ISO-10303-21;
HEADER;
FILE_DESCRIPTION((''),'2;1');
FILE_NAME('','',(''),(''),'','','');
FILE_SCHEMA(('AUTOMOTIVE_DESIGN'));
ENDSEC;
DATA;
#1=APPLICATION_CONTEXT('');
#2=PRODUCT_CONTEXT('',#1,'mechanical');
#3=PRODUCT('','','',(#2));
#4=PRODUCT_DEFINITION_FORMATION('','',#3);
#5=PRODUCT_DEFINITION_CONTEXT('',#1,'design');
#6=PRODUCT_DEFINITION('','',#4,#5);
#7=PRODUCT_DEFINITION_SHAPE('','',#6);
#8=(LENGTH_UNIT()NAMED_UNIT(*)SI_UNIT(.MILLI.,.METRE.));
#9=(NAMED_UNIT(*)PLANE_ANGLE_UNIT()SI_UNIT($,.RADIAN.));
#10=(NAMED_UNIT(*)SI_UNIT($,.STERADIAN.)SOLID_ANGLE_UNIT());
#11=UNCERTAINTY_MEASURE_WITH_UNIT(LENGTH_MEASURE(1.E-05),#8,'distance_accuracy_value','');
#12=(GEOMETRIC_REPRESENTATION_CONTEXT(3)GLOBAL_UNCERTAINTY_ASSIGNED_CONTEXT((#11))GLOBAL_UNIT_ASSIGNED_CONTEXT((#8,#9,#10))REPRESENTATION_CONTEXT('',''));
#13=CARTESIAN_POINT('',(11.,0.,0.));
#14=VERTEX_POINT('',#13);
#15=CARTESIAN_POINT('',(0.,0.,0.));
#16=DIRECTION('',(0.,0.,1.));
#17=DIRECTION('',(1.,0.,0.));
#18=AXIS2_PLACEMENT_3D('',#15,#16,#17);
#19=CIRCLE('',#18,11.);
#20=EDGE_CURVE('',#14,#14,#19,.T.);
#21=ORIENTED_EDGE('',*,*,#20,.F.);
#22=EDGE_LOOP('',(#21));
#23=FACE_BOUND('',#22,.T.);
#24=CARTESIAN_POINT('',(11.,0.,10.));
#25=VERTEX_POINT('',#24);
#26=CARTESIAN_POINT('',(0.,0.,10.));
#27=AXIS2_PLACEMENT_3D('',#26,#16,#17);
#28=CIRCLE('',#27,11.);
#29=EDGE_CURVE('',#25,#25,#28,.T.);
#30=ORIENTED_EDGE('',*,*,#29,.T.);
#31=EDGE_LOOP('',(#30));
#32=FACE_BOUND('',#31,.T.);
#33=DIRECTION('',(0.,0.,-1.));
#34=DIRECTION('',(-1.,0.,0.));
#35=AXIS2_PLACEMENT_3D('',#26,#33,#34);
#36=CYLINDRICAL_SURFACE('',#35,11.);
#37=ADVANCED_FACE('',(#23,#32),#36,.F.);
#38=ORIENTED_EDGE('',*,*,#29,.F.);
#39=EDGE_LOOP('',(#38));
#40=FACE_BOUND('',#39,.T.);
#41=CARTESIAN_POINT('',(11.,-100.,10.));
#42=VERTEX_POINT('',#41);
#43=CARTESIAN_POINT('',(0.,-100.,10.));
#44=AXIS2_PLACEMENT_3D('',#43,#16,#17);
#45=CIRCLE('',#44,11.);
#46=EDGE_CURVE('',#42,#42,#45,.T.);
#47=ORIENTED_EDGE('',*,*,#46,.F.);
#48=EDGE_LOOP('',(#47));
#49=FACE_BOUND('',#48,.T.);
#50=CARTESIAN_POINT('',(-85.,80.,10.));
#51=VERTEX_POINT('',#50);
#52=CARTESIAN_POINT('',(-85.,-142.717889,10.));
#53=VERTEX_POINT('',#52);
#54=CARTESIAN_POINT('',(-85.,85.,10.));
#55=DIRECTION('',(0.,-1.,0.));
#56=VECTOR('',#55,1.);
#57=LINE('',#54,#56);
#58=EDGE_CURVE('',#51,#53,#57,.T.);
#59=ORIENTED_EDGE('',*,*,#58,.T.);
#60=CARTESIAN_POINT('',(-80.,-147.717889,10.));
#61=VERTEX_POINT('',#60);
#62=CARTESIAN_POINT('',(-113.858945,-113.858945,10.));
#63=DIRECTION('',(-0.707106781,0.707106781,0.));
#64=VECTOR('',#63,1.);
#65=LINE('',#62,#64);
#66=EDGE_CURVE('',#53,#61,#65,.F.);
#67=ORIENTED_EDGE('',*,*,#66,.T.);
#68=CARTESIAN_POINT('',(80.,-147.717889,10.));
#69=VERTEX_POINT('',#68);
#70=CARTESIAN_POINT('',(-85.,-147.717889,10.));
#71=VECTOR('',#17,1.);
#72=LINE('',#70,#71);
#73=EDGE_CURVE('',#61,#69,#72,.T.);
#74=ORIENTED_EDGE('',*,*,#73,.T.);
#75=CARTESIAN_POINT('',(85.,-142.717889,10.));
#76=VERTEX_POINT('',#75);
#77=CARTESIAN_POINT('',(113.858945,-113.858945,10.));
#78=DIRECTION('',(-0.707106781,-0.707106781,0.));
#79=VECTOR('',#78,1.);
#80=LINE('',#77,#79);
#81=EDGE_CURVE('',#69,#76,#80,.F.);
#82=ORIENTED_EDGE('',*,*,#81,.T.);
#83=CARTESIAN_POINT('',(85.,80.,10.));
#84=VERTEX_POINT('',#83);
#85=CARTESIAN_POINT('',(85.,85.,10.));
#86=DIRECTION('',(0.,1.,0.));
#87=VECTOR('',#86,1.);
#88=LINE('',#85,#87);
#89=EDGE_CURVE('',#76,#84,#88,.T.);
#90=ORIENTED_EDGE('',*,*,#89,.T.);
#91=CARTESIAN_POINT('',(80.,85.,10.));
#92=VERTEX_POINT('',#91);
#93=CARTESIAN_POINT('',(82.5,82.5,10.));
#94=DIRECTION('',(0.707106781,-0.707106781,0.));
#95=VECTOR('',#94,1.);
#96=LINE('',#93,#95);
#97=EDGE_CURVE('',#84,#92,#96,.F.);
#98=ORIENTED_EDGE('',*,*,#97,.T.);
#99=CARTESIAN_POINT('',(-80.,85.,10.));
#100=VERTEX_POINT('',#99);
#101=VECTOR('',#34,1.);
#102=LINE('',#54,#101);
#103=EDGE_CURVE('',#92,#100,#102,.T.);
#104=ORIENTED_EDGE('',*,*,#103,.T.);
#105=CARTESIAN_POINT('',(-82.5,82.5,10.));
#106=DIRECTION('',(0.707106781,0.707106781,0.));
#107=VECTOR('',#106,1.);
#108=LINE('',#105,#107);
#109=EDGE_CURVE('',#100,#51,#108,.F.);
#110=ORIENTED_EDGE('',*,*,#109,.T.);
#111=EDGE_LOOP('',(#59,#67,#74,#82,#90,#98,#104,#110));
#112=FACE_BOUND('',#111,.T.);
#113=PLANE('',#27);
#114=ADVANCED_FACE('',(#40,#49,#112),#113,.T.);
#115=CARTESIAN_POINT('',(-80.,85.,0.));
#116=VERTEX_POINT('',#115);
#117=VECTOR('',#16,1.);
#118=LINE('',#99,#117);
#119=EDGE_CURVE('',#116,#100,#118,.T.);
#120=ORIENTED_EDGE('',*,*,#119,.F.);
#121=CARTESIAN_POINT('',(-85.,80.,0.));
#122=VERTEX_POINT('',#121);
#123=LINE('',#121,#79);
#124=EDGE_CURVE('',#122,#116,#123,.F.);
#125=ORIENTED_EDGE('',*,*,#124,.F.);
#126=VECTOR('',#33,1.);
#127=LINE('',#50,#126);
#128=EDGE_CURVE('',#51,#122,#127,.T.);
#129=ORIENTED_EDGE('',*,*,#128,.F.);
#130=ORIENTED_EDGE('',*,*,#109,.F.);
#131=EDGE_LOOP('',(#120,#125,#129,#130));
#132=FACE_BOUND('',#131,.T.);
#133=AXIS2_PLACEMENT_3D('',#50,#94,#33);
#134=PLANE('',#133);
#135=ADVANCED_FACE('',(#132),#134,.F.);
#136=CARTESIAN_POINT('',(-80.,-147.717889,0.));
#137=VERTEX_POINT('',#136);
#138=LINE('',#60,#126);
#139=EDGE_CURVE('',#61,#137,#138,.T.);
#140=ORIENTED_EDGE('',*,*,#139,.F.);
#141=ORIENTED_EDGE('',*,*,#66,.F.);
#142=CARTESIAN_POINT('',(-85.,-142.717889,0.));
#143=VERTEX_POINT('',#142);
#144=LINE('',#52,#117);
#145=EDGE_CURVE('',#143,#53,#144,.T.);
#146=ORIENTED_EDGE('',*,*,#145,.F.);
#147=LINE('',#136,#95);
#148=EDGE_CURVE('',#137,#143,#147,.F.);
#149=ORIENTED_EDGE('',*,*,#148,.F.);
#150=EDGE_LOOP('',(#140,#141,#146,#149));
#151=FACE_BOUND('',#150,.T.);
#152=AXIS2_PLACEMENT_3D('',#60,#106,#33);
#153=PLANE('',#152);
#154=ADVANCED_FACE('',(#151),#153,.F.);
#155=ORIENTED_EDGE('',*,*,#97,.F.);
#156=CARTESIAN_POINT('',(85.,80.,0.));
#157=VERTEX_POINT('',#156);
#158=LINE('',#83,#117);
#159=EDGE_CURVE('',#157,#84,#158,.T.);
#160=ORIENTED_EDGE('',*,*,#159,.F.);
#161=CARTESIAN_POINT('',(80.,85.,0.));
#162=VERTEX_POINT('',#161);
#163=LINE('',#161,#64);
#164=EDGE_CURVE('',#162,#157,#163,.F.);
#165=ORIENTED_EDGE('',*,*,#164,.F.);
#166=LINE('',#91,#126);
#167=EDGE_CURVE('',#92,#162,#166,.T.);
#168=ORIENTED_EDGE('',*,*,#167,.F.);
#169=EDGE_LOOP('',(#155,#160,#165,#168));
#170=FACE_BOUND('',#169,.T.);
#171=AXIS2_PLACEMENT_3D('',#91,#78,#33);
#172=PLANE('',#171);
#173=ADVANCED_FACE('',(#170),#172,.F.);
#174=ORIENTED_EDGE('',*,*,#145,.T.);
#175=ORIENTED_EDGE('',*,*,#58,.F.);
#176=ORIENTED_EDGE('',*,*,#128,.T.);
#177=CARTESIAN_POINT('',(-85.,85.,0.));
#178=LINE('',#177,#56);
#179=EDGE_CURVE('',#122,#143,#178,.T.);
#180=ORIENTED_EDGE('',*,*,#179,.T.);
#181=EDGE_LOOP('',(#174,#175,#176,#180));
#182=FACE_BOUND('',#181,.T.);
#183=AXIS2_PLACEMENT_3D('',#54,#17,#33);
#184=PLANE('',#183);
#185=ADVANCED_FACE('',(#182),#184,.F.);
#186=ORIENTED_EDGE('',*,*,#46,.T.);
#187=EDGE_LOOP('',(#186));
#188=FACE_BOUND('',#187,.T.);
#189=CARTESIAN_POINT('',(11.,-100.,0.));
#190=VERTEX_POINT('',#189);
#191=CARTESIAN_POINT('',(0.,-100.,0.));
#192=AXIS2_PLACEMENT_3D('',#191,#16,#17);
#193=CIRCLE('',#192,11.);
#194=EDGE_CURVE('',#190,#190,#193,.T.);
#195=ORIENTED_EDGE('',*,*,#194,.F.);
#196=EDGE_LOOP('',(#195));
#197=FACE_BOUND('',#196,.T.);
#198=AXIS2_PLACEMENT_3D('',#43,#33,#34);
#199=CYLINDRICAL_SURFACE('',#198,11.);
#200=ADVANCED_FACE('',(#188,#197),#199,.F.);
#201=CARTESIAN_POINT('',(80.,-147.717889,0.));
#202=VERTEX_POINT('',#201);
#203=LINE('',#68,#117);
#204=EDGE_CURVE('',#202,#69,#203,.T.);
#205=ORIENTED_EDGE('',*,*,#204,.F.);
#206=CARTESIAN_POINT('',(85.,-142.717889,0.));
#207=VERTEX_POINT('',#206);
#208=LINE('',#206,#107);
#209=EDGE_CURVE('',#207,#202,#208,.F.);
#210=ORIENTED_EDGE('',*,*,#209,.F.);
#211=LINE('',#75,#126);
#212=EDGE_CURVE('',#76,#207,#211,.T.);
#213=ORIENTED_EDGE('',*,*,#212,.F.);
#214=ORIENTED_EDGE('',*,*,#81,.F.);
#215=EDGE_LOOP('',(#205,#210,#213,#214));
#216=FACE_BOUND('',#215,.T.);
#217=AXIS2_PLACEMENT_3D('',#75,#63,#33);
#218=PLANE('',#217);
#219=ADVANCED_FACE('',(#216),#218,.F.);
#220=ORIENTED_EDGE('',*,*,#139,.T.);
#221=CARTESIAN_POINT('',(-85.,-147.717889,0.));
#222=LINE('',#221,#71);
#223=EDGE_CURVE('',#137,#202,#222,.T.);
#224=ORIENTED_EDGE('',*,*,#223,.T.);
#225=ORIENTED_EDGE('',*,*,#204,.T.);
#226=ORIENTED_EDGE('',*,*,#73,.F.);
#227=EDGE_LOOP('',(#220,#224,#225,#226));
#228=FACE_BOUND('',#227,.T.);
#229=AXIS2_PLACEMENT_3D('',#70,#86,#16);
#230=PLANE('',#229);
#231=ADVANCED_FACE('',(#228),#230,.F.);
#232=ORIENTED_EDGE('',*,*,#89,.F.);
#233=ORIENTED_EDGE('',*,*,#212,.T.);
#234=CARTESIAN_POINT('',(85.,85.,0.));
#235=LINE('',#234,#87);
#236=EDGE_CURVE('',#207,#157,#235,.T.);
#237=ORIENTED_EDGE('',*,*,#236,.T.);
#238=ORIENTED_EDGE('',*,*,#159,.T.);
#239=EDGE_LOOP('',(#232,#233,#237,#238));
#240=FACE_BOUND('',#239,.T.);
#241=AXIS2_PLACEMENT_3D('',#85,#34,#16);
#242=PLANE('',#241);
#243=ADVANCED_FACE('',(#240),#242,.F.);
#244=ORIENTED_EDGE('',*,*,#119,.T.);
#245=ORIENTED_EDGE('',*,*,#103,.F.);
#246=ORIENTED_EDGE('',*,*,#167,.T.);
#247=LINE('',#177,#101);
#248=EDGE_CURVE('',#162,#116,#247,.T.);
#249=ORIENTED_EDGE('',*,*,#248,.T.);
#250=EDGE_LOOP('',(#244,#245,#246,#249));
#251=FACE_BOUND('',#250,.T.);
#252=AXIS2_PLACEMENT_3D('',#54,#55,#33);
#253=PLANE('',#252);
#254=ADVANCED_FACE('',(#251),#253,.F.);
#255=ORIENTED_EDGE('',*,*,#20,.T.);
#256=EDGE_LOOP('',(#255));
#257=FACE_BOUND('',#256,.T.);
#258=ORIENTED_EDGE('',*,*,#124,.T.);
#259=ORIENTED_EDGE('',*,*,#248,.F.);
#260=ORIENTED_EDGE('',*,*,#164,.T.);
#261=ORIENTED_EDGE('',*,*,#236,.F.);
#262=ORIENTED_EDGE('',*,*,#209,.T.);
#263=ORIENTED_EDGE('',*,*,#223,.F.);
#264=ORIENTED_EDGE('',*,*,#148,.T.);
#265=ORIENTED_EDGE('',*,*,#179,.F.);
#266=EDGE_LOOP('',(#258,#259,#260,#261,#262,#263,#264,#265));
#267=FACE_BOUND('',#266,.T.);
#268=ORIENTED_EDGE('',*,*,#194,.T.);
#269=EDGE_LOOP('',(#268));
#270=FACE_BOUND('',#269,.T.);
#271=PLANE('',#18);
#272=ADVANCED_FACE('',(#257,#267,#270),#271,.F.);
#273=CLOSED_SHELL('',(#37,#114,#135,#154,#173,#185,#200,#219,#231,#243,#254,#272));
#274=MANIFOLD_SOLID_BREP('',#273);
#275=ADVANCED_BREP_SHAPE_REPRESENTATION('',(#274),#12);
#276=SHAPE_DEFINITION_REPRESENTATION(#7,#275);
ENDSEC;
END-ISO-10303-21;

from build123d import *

# Parameters (mm, degrees)
SKETCH1_W           = 170
SKETCH1_H           = 232.717889213
SKETCH1_R           = 11
BOSS_EXTRUDE1_DEPTH = 10
CHAMFER1_SIZE       = 5


with BuildPart() as part:
    # Sketch1 → Boss-Extrude1 (new body)
    with BuildSketch(Plane.XY):
        with Locations((0, -31.358944607)):
            Rectangle(SKETCH1_W, SKETCH1_H)
        Circle(SKETCH1_R, mode=Mode.SUBTRACT)
        with Locations((0, -100)):
            Circle(SKETCH1_R, mode=Mode.SUBTRACT)
    extrude(amount=BOSS_EXTRUDE1_DEPTH)

    # Chamfer1
    chamfer1_edges = [part.edges().sort_by_distance(p)[0] for p in [
        (-85, 85, 5),
        (85, 85, 5),
        (85, -147.717889213, 5),
        (-85, -147.717889213, 5),
    ]]
    chamfer(chamfer1_edges, length=CHAMFER1_SIZE)


solid = part.part
